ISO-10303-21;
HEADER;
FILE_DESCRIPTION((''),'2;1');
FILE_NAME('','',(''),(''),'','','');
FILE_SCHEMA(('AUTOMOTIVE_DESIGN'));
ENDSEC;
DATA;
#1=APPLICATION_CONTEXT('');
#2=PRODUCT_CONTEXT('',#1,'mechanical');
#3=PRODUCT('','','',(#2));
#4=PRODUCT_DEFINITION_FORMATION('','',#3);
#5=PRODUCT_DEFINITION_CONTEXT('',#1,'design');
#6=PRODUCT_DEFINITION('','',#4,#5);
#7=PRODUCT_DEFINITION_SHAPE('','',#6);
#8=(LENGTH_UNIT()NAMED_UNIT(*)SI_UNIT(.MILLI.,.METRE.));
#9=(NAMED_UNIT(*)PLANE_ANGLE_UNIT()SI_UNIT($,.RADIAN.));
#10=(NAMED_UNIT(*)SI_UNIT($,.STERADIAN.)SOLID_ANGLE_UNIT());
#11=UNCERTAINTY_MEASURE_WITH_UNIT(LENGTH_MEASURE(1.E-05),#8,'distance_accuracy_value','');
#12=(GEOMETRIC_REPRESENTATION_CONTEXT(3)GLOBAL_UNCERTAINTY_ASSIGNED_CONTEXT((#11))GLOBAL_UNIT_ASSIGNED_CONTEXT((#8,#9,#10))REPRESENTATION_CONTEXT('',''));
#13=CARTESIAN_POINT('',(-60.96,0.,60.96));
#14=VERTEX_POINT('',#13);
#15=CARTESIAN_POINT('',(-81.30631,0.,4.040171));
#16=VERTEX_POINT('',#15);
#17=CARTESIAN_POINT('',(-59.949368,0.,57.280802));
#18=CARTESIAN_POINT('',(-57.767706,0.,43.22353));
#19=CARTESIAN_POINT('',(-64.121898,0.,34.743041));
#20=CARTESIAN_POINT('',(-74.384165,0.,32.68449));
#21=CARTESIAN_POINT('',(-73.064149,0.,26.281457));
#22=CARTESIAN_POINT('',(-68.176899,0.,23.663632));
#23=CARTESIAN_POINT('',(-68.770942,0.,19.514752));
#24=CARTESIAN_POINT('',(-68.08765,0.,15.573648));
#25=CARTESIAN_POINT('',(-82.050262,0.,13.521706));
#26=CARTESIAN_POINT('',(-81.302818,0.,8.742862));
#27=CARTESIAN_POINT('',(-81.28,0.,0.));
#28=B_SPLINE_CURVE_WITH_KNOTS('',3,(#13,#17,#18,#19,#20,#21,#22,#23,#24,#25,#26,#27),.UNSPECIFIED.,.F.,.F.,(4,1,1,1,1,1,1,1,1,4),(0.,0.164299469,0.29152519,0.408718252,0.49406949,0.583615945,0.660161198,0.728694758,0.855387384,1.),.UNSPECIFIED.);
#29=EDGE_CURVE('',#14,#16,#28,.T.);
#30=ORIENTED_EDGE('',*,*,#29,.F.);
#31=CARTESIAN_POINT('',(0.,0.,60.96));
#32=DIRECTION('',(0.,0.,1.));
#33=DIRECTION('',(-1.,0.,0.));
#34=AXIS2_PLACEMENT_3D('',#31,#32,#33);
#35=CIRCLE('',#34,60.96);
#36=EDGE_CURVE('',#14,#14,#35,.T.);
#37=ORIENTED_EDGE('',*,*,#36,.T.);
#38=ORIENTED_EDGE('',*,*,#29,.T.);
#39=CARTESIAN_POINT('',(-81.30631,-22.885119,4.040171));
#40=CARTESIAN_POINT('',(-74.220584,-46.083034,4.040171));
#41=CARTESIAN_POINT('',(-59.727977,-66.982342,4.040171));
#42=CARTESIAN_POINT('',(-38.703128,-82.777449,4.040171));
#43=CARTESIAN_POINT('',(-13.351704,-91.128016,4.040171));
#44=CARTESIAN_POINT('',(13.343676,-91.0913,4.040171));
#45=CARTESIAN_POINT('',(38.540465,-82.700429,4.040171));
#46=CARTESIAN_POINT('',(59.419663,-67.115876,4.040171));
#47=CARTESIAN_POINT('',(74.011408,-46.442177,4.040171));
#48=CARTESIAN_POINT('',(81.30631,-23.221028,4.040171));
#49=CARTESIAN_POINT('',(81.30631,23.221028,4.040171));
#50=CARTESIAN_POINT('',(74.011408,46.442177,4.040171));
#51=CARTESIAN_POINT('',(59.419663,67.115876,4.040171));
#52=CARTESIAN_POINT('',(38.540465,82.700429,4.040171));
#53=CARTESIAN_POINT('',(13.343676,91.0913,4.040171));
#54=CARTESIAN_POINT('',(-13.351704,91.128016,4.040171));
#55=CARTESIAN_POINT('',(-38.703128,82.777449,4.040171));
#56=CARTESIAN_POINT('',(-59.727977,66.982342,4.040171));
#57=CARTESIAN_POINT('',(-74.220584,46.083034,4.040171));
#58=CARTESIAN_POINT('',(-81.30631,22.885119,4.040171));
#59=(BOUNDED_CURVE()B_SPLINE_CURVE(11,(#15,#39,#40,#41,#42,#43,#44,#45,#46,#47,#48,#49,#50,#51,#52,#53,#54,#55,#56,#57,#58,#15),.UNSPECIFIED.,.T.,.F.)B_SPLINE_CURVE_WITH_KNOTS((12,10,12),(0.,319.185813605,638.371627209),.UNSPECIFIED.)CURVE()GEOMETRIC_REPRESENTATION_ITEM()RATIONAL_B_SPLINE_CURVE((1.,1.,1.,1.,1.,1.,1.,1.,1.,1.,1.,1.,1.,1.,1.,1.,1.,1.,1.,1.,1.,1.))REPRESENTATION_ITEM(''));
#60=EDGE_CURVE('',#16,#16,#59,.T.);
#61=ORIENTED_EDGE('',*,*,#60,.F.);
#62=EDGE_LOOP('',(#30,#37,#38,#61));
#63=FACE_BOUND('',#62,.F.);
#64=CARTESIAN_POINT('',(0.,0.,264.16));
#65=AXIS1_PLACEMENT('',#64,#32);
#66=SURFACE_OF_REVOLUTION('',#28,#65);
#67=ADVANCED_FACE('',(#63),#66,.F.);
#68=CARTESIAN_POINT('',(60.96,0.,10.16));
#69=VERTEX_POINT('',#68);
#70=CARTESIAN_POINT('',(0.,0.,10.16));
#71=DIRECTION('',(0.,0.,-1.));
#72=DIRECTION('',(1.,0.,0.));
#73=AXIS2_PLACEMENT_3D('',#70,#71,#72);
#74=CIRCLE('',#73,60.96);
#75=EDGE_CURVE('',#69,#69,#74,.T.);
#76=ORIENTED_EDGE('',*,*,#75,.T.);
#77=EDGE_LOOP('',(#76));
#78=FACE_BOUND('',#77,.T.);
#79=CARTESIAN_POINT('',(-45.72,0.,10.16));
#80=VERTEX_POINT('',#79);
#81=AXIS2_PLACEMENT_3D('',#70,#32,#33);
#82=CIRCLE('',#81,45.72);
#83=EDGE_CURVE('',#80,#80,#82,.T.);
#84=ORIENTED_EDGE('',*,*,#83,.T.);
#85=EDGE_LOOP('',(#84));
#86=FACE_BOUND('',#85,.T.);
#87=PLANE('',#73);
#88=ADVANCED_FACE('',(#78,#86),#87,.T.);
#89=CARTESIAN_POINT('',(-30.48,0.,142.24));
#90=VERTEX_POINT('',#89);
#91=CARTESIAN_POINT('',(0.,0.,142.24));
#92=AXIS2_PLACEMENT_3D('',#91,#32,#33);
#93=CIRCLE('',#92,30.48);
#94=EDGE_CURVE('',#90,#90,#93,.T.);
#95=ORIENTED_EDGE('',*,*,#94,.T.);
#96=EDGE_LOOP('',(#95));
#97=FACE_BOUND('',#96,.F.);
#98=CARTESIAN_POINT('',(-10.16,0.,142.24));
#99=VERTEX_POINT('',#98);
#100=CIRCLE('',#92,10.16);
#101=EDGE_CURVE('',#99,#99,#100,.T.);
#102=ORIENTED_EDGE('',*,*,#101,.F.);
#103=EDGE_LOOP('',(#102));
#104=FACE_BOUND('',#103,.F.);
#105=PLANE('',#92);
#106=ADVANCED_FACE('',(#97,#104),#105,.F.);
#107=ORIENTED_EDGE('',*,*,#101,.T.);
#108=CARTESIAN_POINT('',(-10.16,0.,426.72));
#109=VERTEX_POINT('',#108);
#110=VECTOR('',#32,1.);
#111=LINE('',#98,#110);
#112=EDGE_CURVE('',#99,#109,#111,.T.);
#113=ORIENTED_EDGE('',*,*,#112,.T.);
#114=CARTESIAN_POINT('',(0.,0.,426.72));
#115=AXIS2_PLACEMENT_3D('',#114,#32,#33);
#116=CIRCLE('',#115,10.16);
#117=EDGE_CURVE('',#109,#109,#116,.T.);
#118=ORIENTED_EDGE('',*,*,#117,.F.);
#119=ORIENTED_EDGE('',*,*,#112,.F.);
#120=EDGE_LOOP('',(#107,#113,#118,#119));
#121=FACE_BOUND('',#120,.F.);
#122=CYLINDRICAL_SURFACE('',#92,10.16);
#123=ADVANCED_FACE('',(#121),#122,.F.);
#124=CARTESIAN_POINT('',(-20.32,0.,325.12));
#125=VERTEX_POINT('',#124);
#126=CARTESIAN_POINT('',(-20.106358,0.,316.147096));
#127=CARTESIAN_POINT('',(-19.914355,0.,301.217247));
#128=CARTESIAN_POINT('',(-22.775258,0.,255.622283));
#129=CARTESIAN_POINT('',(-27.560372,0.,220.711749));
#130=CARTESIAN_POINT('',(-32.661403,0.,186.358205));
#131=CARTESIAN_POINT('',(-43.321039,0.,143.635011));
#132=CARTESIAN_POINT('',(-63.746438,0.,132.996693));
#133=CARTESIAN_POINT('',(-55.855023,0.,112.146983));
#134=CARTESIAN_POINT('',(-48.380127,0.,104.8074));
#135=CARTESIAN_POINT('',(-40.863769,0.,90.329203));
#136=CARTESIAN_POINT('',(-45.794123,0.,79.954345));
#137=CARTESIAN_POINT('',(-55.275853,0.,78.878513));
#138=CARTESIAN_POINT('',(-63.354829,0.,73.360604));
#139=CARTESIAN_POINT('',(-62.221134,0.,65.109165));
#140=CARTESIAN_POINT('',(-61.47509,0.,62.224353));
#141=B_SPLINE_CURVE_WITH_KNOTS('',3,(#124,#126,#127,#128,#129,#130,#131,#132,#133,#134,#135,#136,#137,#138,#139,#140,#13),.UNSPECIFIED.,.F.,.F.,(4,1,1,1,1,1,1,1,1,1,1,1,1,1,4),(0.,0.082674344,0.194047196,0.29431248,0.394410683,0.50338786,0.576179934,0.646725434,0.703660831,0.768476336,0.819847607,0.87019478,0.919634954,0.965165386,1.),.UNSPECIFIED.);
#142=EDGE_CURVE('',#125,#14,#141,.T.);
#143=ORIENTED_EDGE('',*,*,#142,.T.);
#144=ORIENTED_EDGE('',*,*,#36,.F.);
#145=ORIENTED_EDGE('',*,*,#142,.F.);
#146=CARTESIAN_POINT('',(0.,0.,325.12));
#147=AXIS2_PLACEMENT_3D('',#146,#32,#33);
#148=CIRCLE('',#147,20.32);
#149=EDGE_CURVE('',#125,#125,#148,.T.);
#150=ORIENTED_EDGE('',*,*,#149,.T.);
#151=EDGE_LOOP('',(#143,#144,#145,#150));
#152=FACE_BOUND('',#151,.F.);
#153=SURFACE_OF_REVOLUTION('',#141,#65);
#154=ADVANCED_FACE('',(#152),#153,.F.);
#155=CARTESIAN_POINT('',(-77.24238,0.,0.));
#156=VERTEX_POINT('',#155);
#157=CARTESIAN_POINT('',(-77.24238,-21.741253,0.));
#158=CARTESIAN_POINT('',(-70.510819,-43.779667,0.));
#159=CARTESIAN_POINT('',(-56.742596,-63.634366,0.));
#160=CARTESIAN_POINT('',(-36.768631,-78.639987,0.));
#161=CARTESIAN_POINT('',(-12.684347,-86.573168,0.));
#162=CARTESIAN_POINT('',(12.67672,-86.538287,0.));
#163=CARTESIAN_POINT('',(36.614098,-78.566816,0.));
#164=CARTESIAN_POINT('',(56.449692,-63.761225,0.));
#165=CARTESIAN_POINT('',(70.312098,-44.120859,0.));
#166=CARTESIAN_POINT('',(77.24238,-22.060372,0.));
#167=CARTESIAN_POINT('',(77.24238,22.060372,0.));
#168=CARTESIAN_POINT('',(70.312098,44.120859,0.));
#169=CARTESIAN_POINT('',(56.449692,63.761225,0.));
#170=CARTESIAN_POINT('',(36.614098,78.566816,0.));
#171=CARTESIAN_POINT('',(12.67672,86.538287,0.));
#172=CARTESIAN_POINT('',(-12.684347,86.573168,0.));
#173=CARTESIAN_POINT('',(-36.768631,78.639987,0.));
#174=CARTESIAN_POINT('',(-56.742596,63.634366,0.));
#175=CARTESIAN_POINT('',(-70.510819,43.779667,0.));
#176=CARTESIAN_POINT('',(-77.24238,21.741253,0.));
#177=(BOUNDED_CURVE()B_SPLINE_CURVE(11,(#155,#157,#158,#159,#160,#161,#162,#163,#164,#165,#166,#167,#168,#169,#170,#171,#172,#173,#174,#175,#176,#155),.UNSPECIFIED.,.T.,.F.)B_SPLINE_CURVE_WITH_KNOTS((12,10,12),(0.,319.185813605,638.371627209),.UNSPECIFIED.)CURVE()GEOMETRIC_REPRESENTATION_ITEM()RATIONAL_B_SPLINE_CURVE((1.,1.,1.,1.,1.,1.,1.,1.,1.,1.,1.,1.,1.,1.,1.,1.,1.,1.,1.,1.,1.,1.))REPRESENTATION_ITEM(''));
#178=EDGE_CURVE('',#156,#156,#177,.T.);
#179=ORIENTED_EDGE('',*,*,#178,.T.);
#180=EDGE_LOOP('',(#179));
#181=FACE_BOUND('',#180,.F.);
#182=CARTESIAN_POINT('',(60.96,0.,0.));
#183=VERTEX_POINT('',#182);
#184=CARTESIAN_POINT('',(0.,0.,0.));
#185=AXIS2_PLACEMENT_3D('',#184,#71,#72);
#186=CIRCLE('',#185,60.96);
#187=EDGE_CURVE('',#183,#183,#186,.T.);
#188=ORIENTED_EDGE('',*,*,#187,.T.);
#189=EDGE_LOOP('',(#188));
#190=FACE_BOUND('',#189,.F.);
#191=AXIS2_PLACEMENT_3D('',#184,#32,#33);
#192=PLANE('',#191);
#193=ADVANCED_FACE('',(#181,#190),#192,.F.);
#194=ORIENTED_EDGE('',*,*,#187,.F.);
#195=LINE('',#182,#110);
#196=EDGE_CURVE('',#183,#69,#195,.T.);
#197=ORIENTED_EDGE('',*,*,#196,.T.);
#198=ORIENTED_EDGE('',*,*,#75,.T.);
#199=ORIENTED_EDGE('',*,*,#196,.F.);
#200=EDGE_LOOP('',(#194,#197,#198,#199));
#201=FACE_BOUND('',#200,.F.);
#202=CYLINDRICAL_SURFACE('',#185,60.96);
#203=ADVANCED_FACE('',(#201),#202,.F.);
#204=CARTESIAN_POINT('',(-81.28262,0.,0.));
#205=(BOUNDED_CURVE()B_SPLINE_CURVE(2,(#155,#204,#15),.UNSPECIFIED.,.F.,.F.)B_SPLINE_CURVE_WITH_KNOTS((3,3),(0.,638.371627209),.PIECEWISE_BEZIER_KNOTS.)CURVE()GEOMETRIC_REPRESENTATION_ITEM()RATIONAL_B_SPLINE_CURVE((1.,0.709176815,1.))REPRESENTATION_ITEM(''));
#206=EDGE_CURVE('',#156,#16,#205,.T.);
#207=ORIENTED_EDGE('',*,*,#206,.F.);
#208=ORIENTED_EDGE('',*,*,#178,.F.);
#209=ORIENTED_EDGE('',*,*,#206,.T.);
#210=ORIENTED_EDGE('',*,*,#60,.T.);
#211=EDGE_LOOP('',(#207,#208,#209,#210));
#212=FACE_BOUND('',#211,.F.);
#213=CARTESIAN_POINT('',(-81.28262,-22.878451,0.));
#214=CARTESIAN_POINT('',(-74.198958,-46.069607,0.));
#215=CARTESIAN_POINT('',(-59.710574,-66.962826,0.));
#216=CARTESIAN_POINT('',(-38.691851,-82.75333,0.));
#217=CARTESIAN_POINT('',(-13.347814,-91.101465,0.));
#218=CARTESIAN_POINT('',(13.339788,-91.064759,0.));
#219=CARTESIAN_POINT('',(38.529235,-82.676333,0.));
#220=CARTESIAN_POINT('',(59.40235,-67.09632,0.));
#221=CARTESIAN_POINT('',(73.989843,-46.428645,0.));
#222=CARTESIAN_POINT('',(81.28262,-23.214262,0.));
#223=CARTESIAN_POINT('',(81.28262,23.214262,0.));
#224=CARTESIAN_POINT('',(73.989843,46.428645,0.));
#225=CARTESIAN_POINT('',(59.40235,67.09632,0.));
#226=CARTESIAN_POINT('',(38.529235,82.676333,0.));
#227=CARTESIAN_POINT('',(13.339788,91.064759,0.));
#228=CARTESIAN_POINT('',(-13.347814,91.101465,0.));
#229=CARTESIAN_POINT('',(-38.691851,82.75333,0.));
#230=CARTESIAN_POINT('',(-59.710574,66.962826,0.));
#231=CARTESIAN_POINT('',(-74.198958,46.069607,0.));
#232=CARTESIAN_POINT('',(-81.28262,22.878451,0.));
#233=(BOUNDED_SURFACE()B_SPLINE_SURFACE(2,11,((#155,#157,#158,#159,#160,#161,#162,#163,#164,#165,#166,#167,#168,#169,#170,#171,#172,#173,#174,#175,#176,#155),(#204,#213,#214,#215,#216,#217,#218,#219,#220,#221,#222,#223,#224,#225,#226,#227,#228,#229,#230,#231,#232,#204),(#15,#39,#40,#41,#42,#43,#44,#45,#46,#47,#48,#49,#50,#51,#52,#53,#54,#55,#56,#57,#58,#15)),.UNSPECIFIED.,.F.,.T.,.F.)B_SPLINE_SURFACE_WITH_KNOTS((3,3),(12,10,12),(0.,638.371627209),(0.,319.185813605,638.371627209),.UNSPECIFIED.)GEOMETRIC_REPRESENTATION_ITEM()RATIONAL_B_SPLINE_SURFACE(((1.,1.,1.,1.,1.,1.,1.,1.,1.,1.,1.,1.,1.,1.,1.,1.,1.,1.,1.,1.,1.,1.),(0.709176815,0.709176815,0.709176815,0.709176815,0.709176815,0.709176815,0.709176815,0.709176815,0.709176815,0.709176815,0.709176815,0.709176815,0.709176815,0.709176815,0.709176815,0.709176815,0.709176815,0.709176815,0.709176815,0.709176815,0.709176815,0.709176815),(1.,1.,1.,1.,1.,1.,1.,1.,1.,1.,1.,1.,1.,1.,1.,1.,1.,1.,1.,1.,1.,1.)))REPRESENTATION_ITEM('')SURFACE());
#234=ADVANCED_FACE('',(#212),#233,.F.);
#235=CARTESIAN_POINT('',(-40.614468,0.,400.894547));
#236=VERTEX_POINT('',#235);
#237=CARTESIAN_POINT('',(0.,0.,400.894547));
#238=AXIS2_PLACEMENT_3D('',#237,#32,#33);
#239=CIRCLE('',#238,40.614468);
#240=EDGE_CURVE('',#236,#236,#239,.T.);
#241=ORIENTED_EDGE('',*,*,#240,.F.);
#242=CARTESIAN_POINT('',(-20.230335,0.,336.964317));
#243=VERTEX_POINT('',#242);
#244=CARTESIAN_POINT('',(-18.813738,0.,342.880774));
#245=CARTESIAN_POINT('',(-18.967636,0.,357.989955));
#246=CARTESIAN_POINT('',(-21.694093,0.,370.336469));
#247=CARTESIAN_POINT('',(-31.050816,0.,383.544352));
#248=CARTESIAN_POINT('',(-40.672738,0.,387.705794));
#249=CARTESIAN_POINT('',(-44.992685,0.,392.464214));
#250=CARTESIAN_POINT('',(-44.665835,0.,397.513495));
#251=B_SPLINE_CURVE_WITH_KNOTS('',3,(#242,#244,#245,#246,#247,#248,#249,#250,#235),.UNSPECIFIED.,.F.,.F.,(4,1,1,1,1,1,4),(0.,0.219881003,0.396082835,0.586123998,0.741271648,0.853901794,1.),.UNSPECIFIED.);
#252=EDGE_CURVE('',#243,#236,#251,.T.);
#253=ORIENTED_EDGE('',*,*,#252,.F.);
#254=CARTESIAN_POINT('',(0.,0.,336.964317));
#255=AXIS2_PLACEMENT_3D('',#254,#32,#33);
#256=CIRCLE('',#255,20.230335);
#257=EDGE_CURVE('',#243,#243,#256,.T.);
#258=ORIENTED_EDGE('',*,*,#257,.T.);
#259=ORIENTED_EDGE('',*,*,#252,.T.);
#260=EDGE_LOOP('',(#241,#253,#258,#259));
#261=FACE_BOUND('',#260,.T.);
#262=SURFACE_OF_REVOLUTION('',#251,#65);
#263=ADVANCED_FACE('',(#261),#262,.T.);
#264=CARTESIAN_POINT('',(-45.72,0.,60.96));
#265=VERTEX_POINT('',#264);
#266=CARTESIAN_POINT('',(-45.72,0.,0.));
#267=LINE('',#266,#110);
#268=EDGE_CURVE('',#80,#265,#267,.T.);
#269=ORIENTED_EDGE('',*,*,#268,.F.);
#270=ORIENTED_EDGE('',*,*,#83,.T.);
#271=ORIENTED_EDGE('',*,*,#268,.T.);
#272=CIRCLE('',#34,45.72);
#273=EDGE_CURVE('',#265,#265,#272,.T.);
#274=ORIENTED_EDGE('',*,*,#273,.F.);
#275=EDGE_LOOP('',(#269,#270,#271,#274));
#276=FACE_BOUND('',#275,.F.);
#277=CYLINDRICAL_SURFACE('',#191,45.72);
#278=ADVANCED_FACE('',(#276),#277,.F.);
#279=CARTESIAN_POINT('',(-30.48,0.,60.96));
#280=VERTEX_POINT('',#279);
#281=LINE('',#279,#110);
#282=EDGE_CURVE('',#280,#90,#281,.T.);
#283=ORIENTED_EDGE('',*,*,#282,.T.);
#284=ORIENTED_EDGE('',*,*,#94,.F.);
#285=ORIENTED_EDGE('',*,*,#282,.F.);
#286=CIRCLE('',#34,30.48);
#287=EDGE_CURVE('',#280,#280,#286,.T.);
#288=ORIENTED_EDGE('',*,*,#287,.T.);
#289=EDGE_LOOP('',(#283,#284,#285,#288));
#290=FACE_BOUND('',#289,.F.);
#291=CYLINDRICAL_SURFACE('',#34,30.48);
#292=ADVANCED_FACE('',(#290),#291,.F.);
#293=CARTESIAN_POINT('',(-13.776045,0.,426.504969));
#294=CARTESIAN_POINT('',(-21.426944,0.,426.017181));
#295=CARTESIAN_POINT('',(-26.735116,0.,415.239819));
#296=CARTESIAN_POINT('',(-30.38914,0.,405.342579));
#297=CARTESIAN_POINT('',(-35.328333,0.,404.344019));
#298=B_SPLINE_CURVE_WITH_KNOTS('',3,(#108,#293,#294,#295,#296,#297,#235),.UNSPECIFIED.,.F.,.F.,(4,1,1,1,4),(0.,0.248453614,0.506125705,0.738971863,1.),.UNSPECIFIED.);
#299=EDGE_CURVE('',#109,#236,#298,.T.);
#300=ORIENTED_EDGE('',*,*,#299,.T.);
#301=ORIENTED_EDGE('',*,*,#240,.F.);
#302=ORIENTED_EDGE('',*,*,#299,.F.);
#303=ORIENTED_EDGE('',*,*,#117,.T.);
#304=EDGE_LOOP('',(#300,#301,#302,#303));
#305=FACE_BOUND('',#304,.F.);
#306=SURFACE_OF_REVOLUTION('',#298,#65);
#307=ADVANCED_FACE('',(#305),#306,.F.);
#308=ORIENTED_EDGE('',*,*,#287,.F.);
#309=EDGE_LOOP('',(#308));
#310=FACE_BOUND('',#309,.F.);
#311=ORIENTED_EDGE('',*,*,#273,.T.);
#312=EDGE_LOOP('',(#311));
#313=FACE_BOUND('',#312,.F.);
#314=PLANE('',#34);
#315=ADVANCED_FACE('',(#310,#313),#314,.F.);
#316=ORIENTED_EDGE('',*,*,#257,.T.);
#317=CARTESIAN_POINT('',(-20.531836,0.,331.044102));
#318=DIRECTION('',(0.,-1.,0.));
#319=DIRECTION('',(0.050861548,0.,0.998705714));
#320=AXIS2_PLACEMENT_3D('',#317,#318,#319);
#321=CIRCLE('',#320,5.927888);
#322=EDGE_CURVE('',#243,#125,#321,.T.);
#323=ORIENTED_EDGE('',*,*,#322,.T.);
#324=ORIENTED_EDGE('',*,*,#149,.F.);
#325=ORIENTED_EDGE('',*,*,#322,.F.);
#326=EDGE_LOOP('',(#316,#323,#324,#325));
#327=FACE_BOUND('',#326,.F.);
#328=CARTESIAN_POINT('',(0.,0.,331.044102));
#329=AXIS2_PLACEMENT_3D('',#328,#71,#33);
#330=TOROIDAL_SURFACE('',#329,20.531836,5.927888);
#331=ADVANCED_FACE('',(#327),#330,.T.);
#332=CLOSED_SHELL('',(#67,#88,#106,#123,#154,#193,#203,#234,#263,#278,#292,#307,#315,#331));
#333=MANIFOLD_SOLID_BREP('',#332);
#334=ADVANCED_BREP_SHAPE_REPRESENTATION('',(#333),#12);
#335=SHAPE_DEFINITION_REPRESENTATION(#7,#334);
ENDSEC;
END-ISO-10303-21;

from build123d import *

# Parameters (mm, degrees)
F2_R     = 5.08
F3_R     = 76.2
F4_DEPTH = 12.7
F5_SCALE = 0.8


with BuildPart() as f1:
    # F0 (on Front) → F1 (revolve)
    with BuildSketch(Plane.XZ):
        with BuildLine():
            add(Edge.make_bspline(
                [(-25.287918246, 421.2053966172), (-23.5171722618, 428.6009676206), (-23.7095455194, 447.4874442337), (-27.1176163224, 462.9205865334), (-38.8135194397, 479.4304400065), (-50.8409221075, 484.6322419931), (-56.2408568492, 490.5802672491), (-55.8322939124, 496.8918693526), (-50.7680848241, 501.118183136)],
                knots=[0, 0, 0, 0, 0.2198810025, 0.3960828349, 0.5861239976, 0.7412716484, 0.8539017936, 1, 1, 1, 1], degree=3))
            ThreePointArc((-25.287918246, 421.2053966172), (-33.0744428221, 413.8612206295), (-25.4, 406.4))
            add(Edge.make_bspline(
                [(-25.4, 406.4), (-25.1329479672, 395.18386955), (-24.8929441295, 376.5215589788), (-28.4690727264, 319.5278536888), (-34.4504656161, 275.8896859655), (-40.8267538471, 232.9477557001), (-54.1512993287, 179.5437632636), (-79.683047959, 166.2458664688), (-69.8187791159, 140.1837288483), (-60.4751582944, 131.0092503774), (-51.0797109501, 112.9115040258), (-57.2426536505, 99.9429310363), (-69.0948161047, 98.598140686), (-79.1935364799, 91.7007547374), (-77.7764171638, 81.3864566504), (-76.8438620264, 77.7804417651), (-76.2, 76.2)],
                knots=[0, 0, 0, 0, 0.0826743444, 0.1940471964, 0.2943124796, 0.3944106834, 0.5033878602, 0.576179934, 0.6467254336, 0.7036608308, 0.7684763358, 0.8198476073, 0.8701947798, 0.9196349537, 0.9651653857, 1, 1, 1, 1], degree=3))
            add(Edge.make_bspline(
                [(-76.2, 76.2), (-74.9367097534, 71.6010030089), (-72.2096322693, 54.0294119215), (-80.1523720512, 43.4288014386), (-92.980206647, 40.8556123109), (-91.330186552, 32.8518207671), (-85.2211234968, 29.5795406053), (-85.963677659, 24.3934397611), (-85.1095624349, 19.467060179), (-102.5628269109, 16.9021320087), (-101.6285228935, 10.9285770566), (-101.6, 0)],
                knots=[0, 0, 0, 0, 0.1642994692, 0.29152519, 0.4087182523, 0.4940694901, 0.5836159452, 0.6601611983, 0.7286947583, 0.8553873841, 1, 1, 1, 1], degree=3))
            Line((-101.6, 0), (-57.15, 0))
            Line((-57.15, 0), (-57.15, 76.2))
            Line((-57.15, 76.2), (-38.1, 76.2))
            Line((-38.1, 76.2), (-38.1, 177.8))
            Line((-38.1, 177.8), (-12.7, 177.8))
            Line((-12.7, 177.8), (-12.7, 533.4))
            add(Edge.make_bspline(
                [(-12.7, 533.4), (-17.2200563256, 533.1312118374), (-26.7836801982, 532.5214759977), (-33.4188946389, 519.0497736249), (-37.9864249345, 506.6782241833), (-44.1604166529, 505.4300237121), (-50.7680848241, 501.118183136)],
                knots=[0, 0, 0, 0, 0.2484536144, 0.5061257046, 0.7389718632, 1, 1, 1, 1], degree=3))
        make_face()
    revolve(axis=Axis((0, 0, 330.2), (0, 0, 1)))

    # F2
    f2_edges = [f1.edges().sort_by_distance(p)[0] for p in [
        (101.6, 0, 0),
    ]]
    fillet(f2_edges, radius=F2_R)

    # F3 (on face) → F4 (cut)
    with BuildSketch(Plane(origin=(0, 0, 0), x_dir=(1, 0, 0), z_dir=(0, 0, -1))):
        Circle(F3_R)
    extrude(amount=-F4_DEPTH, mode=Mode.SUBTRACT)


with BuildPart() as f1_1:
    # F5: moved
    add(f1.part.scale(F5_SCALE))


solid = f1_1.part
